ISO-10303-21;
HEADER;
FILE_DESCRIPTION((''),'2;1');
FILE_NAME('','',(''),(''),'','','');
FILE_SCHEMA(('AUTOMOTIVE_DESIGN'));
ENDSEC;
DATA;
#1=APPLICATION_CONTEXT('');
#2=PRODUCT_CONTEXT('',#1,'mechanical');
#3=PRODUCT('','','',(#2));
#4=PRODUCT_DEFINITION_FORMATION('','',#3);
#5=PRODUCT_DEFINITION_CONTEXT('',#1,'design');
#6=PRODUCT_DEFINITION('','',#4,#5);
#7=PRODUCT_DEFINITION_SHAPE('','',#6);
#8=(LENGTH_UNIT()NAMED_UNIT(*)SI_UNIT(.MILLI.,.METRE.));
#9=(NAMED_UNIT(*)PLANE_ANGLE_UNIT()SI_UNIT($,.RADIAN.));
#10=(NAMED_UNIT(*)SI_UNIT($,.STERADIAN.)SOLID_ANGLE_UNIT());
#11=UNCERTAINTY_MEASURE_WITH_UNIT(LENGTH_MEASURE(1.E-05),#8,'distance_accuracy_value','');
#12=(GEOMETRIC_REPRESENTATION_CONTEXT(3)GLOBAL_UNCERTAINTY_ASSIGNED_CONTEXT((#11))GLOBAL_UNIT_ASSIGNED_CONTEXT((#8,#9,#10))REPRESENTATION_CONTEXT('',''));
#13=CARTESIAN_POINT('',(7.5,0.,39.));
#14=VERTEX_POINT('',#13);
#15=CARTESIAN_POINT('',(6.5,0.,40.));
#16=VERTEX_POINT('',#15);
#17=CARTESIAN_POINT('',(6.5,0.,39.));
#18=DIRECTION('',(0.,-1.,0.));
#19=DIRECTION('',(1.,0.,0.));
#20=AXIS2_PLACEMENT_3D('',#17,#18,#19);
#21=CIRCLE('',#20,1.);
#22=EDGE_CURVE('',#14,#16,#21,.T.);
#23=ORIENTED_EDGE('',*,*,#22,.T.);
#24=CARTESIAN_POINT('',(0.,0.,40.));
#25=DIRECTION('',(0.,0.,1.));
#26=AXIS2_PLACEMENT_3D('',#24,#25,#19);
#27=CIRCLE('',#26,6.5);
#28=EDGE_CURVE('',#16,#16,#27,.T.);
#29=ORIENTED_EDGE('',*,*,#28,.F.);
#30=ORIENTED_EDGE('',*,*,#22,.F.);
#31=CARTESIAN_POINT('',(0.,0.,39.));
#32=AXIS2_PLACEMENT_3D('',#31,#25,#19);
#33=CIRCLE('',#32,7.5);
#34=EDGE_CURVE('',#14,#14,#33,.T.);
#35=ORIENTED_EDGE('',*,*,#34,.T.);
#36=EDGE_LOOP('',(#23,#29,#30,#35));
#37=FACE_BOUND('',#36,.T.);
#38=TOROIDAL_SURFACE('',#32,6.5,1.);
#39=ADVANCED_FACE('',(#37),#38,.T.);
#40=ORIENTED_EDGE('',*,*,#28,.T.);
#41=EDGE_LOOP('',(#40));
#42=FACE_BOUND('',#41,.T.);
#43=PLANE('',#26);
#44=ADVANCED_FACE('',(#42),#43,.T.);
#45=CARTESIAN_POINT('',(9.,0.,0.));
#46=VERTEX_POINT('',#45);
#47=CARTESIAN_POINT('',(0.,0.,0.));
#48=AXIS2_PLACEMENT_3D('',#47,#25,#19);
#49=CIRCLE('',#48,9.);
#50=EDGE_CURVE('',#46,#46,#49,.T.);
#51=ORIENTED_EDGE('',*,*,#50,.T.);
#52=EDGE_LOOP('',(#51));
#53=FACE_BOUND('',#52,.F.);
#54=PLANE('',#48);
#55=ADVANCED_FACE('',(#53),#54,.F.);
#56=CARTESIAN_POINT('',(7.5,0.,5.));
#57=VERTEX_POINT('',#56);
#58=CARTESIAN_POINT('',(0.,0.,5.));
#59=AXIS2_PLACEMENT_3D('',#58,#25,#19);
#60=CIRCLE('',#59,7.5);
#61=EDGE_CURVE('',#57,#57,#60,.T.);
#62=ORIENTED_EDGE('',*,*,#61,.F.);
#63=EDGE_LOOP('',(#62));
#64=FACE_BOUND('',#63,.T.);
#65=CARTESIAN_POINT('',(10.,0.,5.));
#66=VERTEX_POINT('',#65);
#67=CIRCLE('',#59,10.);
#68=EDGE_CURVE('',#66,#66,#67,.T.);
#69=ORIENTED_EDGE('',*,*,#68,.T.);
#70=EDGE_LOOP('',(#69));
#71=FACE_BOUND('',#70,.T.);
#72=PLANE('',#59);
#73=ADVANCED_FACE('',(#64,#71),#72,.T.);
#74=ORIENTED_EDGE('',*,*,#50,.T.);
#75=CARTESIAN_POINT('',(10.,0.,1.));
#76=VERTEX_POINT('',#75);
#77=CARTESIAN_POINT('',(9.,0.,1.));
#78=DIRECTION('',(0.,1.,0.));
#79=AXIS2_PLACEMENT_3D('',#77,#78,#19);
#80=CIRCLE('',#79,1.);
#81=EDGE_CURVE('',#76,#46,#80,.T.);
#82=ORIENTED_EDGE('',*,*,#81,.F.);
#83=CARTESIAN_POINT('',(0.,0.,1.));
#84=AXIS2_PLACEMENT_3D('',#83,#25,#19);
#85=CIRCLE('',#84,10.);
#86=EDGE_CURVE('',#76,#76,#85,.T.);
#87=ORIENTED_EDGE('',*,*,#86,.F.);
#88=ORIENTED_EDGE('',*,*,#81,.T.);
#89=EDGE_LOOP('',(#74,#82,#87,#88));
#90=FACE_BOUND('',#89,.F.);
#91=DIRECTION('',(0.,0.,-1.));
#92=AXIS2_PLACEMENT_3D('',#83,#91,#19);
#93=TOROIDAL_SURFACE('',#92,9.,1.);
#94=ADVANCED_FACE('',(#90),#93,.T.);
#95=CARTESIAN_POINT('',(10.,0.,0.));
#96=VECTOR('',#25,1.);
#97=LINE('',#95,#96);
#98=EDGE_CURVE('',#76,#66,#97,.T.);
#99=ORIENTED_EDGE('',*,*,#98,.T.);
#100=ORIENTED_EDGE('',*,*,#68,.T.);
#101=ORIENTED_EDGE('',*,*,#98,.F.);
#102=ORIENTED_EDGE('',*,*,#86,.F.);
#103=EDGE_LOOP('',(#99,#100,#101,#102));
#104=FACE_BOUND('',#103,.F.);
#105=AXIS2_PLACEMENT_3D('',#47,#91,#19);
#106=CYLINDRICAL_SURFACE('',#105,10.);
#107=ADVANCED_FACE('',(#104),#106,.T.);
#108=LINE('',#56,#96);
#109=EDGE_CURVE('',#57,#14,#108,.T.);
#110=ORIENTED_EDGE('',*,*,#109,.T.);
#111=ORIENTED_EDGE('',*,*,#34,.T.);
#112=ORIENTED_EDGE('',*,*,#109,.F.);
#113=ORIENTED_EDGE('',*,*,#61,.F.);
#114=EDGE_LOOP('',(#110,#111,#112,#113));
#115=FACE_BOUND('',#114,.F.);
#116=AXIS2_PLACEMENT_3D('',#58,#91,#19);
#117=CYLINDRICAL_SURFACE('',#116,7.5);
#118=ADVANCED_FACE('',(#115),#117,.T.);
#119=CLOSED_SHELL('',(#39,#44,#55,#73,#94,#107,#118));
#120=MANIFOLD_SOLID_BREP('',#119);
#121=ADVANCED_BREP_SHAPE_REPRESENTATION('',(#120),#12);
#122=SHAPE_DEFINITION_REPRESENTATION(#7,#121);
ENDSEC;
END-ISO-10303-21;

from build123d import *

# Parameters (mm, degrees)
F0_R     = 10
F1_DEPTH = 5
F2_R     = 7.5
F3_DEPTH = 35
F4_R     = 1
F5_R     = 1


with BuildPart() as f1:
    # F0 (on Top) → F1 (new body)
    with BuildSketch(Plane.XY):
        Circle(F0_R)
    extrude(amount=F1_DEPTH)

    # F2 (on face) → F3 (join)
    with BuildSketch(Plane.XY.offset(5)):
        Circle(F2_R)
    extrude(amount=F3_DEPTH)

    # F4
    f4_edges = [f1.edges().sort_by_distance(p)[0] for p in [
        (-7.5, 0, 40),
    ]]
    fillet(f4_edges, radius=F4_R)

    # F5
    f5_edges = [f1.edges().sort_by_distance(p)[0] for p in [
        (-10, 0, 0),
    ]]
    fillet(f5_edges, radius=F5_R)


solid = f1.part
